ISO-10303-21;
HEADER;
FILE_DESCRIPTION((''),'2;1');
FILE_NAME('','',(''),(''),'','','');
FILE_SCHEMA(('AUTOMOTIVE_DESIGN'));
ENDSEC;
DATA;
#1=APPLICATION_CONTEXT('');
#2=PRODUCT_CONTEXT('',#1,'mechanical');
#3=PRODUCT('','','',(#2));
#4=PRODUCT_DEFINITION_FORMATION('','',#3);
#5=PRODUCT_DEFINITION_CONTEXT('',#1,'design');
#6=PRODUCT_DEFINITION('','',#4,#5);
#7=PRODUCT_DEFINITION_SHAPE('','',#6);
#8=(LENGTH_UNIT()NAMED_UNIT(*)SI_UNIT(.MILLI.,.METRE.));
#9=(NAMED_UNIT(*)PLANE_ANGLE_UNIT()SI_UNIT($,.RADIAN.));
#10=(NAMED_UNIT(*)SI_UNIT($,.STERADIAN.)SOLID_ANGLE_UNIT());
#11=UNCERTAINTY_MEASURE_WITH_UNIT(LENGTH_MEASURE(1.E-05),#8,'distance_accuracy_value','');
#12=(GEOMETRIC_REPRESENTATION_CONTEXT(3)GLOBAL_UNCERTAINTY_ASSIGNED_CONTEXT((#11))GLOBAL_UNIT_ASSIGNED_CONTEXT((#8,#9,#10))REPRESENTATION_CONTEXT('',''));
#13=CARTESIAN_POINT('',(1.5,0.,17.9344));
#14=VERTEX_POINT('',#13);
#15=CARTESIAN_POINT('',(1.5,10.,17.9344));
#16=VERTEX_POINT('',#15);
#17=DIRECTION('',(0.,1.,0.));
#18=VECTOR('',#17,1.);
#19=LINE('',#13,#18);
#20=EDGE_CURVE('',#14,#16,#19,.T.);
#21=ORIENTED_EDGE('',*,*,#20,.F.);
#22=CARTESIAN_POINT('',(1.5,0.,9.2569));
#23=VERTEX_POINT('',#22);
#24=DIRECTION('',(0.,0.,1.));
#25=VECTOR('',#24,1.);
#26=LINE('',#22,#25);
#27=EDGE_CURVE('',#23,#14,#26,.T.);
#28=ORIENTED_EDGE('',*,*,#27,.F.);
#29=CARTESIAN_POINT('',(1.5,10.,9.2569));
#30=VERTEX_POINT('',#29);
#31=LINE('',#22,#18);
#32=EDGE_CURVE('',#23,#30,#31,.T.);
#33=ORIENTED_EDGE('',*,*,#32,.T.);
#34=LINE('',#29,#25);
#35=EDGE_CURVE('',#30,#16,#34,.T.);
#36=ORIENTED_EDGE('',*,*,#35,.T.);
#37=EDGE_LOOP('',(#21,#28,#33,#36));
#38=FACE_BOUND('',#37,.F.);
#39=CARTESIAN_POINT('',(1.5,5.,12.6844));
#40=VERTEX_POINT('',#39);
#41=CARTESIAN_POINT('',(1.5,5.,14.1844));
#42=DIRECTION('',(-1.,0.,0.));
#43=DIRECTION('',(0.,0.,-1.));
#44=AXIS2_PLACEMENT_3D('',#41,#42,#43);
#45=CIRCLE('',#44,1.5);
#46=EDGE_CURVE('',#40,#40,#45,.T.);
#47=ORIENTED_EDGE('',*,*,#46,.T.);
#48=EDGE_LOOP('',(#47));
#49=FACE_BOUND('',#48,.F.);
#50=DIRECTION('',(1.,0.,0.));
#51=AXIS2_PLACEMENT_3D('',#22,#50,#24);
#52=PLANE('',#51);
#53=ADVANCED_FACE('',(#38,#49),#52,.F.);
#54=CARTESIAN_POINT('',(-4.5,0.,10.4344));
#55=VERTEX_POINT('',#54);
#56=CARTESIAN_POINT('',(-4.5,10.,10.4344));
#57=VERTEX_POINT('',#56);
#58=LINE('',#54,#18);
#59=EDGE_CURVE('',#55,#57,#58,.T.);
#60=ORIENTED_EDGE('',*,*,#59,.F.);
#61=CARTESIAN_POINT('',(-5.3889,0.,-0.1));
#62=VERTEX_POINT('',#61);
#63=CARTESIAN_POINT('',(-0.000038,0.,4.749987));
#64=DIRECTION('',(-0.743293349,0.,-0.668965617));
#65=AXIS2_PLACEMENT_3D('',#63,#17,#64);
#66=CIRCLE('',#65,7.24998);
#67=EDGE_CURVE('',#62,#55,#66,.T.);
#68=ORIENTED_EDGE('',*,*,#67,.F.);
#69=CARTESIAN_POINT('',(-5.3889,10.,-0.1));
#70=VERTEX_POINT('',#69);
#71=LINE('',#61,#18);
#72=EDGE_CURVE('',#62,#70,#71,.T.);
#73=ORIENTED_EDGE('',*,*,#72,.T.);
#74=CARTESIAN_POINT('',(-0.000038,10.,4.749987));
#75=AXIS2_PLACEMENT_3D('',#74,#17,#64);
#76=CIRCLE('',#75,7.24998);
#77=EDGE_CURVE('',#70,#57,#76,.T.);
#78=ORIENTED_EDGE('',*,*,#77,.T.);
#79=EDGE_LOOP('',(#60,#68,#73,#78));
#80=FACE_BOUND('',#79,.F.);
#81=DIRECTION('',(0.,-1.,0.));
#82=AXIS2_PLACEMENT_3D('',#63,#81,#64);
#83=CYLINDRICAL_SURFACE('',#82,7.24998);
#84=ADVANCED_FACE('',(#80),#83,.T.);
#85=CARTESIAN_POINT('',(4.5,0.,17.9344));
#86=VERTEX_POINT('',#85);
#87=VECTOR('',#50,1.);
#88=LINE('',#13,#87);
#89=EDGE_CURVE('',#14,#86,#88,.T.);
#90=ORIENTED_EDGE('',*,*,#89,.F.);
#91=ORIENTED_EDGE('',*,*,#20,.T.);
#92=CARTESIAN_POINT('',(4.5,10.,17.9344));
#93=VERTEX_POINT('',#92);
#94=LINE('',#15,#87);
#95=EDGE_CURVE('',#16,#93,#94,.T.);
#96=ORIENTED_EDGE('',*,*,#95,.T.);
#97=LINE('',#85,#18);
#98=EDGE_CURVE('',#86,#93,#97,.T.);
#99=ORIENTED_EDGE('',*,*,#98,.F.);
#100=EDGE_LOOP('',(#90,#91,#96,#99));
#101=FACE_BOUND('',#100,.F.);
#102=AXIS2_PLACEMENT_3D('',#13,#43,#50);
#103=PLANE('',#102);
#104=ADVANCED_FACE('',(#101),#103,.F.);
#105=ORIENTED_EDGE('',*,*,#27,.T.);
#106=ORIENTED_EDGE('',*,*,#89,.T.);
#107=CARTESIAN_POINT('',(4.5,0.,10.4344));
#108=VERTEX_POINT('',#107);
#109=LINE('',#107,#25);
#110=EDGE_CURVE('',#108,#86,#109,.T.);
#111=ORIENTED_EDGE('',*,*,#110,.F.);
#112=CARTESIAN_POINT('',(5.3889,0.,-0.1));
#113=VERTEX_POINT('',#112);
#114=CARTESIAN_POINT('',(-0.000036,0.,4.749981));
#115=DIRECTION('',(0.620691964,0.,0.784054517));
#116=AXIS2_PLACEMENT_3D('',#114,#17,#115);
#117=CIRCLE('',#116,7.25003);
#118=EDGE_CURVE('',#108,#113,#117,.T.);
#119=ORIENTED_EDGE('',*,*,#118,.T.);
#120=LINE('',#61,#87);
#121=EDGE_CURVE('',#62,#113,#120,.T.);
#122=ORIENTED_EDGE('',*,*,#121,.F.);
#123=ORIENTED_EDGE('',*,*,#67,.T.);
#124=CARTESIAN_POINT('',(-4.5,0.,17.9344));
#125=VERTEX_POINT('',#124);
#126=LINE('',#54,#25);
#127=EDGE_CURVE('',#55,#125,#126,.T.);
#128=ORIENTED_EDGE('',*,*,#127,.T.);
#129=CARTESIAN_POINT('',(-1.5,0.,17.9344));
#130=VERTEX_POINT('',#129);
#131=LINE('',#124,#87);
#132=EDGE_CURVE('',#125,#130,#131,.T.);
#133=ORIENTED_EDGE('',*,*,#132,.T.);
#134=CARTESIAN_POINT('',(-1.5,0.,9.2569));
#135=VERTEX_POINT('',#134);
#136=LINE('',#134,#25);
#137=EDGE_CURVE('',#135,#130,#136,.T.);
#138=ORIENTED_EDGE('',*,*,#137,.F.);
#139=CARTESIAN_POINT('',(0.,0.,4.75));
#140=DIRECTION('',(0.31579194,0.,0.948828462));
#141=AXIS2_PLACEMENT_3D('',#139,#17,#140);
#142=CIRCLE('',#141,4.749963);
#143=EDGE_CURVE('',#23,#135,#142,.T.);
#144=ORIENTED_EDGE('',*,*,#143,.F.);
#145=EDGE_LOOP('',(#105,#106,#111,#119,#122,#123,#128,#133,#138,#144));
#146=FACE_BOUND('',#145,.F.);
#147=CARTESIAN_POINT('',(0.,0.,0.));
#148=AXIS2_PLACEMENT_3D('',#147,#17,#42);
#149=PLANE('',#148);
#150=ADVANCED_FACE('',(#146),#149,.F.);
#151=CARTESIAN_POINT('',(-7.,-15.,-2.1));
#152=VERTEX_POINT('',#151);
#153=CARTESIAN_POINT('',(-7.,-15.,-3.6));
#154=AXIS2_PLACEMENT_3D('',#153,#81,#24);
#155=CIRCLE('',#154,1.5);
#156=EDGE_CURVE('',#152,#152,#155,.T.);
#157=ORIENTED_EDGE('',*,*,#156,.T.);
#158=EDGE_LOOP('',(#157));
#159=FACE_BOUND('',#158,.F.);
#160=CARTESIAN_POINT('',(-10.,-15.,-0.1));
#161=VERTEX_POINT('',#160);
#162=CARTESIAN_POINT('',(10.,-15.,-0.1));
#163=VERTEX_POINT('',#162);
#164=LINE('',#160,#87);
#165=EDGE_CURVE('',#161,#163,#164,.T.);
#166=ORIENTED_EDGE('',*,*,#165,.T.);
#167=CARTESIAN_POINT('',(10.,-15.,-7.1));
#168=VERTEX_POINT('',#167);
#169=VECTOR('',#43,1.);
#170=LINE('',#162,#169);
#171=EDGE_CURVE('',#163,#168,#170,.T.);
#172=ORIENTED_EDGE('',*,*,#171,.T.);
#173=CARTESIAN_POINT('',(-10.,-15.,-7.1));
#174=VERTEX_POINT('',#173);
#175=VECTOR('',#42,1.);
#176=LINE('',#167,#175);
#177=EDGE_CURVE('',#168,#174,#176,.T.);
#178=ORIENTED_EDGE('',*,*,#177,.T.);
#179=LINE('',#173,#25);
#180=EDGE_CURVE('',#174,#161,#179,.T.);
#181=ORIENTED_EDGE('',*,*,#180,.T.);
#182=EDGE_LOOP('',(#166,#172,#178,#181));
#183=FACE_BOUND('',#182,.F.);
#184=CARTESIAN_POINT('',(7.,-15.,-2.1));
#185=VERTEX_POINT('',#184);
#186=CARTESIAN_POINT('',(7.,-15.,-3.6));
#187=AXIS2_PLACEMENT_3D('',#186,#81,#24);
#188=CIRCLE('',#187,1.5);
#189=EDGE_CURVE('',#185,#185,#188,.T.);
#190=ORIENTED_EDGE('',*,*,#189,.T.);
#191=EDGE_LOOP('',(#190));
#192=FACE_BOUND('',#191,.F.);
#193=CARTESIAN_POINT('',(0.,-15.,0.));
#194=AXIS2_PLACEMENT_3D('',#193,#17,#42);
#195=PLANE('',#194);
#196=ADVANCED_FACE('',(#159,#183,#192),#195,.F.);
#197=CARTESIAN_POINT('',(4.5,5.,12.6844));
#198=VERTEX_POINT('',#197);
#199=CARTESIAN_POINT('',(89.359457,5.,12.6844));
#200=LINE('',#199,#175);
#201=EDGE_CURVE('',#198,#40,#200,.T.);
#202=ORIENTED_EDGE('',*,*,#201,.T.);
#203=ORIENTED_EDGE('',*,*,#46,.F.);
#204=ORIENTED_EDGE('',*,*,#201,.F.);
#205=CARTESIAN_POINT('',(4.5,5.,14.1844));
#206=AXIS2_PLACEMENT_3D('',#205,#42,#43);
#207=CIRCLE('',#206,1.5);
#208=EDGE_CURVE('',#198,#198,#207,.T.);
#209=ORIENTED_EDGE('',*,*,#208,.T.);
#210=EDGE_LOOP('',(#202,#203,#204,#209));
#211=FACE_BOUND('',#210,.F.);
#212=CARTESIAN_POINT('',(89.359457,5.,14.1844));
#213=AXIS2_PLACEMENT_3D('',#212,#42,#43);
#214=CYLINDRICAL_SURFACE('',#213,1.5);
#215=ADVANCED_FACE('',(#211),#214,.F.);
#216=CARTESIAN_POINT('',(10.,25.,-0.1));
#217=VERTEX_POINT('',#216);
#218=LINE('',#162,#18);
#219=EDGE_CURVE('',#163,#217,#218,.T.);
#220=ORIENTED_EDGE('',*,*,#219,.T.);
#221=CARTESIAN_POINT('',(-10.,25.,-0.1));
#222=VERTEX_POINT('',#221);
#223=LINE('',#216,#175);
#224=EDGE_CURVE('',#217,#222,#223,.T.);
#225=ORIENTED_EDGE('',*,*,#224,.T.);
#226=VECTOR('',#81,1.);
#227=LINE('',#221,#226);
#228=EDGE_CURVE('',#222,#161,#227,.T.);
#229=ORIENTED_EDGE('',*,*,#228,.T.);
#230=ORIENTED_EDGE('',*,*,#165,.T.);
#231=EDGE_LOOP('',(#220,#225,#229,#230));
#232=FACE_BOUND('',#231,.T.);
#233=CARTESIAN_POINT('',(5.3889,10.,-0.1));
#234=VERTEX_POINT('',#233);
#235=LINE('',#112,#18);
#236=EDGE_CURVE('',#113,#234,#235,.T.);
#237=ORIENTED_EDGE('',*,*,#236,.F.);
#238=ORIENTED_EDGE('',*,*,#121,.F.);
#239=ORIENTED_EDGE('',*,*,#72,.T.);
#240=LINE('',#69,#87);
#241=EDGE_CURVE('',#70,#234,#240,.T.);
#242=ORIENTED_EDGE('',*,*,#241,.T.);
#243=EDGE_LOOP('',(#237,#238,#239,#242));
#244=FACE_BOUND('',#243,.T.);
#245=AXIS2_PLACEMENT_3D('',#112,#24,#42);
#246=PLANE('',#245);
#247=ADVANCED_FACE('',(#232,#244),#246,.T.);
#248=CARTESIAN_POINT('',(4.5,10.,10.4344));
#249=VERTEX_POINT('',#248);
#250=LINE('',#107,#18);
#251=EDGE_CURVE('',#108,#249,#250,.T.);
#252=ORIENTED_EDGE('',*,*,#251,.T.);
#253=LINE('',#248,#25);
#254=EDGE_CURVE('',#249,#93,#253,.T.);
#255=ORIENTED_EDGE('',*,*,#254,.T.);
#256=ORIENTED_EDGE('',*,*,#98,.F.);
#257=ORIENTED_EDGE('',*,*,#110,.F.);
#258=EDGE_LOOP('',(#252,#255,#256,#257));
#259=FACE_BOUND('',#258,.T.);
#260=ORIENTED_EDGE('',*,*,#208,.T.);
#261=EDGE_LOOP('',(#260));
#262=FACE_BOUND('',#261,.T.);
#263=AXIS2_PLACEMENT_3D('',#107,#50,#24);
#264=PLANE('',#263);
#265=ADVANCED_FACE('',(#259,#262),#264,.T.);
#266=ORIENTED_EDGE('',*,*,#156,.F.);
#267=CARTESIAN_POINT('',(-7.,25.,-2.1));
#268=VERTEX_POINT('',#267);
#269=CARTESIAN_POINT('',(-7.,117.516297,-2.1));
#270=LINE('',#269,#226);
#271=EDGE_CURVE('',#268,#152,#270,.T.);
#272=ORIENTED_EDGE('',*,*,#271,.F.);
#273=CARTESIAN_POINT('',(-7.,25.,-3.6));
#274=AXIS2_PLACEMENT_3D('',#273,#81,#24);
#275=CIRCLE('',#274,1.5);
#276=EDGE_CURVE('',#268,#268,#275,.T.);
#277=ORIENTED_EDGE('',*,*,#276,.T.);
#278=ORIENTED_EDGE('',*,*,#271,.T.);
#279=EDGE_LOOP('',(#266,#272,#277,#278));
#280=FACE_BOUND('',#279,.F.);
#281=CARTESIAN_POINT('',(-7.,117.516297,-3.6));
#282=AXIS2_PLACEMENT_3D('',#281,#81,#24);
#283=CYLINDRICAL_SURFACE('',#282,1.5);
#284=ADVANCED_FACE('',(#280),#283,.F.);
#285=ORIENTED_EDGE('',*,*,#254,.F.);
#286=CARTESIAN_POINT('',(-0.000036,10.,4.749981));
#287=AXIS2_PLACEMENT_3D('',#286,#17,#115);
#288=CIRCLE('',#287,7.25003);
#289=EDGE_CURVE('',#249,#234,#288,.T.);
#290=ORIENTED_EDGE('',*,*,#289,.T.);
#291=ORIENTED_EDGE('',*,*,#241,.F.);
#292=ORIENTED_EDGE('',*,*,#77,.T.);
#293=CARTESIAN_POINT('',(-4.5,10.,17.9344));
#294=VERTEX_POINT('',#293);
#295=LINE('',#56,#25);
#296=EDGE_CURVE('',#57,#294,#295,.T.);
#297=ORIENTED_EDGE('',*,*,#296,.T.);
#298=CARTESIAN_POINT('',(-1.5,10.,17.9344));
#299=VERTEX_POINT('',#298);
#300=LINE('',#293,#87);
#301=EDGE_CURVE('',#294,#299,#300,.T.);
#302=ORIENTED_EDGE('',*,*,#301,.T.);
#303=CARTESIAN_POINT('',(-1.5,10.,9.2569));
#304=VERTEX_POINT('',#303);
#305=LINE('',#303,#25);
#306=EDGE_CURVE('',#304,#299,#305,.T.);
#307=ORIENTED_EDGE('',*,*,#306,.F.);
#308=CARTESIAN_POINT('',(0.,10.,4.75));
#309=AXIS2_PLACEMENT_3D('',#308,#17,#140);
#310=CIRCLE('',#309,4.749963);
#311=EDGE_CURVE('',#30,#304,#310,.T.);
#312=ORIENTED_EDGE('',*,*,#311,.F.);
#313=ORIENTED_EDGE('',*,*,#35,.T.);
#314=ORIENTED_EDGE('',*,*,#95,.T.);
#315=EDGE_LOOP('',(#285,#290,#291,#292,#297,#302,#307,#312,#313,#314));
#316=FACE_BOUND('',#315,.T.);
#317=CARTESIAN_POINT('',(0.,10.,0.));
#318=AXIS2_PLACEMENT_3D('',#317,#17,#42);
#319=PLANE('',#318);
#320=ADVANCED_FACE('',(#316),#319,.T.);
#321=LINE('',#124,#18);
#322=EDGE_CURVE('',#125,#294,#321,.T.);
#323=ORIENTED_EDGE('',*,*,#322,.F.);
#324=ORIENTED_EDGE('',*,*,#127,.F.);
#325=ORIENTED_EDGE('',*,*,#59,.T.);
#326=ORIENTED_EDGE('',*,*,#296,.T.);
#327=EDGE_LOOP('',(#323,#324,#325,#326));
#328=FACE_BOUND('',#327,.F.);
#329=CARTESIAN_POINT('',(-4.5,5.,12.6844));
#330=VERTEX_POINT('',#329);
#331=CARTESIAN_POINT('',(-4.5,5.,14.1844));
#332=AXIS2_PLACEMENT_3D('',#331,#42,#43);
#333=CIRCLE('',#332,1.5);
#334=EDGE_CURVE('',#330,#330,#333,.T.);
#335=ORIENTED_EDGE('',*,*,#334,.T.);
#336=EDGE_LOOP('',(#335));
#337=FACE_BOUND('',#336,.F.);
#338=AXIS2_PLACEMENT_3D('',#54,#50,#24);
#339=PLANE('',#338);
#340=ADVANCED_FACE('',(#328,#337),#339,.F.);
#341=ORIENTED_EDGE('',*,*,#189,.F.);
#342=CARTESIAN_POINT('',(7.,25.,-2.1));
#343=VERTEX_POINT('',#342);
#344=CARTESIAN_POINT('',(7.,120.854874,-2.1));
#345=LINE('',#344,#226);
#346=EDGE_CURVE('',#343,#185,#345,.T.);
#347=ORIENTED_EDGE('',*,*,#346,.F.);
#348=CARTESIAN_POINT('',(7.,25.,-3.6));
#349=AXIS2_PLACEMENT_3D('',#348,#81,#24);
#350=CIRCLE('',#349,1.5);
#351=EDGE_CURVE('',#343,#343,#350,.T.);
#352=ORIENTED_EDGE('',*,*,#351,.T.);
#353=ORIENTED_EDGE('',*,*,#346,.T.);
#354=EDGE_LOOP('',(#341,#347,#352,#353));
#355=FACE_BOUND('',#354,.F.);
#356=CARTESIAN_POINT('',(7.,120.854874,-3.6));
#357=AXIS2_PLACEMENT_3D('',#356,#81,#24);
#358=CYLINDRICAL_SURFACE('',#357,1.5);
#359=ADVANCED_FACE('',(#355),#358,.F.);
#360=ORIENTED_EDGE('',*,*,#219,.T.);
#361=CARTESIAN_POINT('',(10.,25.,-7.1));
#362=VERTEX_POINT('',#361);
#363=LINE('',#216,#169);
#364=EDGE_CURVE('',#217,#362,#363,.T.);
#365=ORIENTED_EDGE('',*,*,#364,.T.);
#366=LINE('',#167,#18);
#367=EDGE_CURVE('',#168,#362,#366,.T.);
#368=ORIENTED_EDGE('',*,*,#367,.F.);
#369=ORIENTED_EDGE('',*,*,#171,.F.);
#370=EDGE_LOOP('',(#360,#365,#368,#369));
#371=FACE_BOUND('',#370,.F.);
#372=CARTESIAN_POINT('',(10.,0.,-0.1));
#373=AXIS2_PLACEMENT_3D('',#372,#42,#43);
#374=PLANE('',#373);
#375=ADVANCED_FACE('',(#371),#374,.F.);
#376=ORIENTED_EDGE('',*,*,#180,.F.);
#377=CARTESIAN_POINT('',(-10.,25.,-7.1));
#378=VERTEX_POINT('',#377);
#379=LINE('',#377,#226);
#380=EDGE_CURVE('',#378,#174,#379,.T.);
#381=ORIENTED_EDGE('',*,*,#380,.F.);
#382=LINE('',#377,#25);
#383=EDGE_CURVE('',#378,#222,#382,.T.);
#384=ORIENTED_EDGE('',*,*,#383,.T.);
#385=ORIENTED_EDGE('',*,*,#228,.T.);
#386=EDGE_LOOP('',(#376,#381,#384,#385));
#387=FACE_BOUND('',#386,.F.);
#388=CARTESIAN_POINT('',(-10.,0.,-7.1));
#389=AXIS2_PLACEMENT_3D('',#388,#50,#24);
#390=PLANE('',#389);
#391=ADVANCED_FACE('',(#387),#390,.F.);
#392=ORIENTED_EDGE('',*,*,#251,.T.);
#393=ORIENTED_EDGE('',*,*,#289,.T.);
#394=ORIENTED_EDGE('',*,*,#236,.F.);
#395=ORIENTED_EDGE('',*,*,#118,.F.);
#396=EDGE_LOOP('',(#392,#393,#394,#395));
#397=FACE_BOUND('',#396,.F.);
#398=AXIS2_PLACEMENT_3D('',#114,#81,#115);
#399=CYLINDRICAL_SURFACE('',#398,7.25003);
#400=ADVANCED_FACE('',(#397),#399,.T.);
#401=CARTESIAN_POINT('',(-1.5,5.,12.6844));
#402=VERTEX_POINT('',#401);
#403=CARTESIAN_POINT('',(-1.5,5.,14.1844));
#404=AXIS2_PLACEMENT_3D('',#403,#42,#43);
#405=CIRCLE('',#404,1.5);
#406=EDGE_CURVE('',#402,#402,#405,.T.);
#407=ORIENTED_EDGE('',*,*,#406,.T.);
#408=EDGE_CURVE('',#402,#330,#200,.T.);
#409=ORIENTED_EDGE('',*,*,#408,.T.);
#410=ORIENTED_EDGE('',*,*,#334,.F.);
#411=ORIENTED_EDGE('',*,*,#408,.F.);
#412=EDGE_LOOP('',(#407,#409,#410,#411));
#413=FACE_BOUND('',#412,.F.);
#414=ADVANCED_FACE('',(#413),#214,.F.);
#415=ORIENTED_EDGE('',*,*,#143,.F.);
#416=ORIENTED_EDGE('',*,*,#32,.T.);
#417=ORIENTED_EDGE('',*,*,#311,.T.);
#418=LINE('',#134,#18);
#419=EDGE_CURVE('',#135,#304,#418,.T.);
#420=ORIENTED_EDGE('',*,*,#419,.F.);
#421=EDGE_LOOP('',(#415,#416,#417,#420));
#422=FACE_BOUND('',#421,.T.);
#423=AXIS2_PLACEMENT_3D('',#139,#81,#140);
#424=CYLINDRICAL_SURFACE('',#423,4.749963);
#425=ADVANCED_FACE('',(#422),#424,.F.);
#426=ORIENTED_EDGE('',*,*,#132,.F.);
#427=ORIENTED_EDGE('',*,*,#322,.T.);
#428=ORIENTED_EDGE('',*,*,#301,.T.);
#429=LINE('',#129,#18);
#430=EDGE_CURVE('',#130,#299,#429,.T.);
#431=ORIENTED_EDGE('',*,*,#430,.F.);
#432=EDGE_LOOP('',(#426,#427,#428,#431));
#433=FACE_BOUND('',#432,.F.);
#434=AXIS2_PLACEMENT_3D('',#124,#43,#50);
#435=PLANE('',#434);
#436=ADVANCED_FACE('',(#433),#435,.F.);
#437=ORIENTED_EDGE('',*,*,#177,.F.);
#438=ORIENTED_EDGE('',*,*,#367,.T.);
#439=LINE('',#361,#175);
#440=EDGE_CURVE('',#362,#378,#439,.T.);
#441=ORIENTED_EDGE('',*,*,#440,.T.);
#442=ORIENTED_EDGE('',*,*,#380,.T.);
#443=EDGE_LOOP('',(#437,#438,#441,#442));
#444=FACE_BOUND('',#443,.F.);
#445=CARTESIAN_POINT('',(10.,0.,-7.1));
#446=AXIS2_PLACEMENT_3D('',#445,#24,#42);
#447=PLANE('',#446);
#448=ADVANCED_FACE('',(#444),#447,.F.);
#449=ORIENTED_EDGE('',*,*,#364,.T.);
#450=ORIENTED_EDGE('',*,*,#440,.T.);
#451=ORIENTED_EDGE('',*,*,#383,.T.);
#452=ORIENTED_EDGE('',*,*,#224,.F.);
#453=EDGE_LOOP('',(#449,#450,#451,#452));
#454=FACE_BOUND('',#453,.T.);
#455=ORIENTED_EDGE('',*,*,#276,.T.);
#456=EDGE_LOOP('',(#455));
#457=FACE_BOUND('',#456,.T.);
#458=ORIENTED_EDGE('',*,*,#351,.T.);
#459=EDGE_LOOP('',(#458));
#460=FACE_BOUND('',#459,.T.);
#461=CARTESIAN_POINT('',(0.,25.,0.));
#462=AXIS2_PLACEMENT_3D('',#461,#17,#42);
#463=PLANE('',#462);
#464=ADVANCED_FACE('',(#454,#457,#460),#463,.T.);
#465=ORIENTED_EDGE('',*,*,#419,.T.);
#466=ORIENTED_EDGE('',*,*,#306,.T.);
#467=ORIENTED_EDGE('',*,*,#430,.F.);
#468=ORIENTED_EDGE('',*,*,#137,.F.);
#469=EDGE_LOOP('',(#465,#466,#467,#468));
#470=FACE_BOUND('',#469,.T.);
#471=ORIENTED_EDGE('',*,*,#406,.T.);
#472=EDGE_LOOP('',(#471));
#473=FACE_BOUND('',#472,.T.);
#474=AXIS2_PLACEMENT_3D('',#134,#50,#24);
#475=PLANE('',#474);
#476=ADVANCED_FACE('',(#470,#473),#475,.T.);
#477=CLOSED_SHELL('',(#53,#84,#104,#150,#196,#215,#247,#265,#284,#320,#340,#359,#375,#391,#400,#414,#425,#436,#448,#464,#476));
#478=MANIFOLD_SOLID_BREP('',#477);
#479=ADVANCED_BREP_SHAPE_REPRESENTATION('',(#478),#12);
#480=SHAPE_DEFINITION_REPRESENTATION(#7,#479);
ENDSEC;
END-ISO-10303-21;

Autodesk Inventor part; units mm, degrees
ref_plane "YZ Plane" through (0, 0, 0) normal (1, 0, 0) x (0, 1, 0)
ref_plane "XZ Plane" through (0, 0, 0) normal (0, 1, 0) x (-1, 0, 0)
ref_plane "XY Plane" through (0, 0, 0) normal (0, 0, 1) x (1, 0, 0)
sketch "Sketch1" plane through (0, 0, 0) normal (0, 1, 0) x (-1, 0, 0)
  arc A0 (-1.5, 9.2569) -> (1.5, 9.2569) centre (0, 4.75) ccw
  arc A1 (5.3889, -0.1) -> (4.5, 10.4344) centre (0, 4.75) ccw
  arc A2 (-4.5, 10.4344) -> (-5.3889, -0.1) centre (0, 4.75) ccw
  line L0 (-4.5, 10.4344) -> (-4.5, 17.9344)
  line L1 (4.5, 10.4344) -> (4.5, 17.9344)
  line L2 (-1.5, 9.2569) -> (-1.5, 17.9344)
  line L3 (1.5, 9.2569) -> (1.5, 17.9344)
  line L4 (4.5, 17.9344) -> (1.5, 17.9344)
  line L5 (-1.5, 17.9344) -> (-4.5, 17.9344)
  line L6 (5.3889, -0.1) -> (-5.3889, -0.1)
  point P0 (0, 0)
extrude "Extrusion1" add sketch "Sketch1" along normal blind 10
sketch "Sketch2" plane through (0, 0, 0) normal (0, 1, 0) x (-1, 0, 0)
  line L0 (-5.3889, -0.1) -> (5.3889, -0.1) projected
  line L1 (0, -0.1) -> (-10, -0.1)
  line L2 (0, -0.1) -> (10, -0.1)
  line L3 (-10, -0.1) -> (-10, -7.1)
  line L4 (-10, -7.1) -> (10, -7.1)
  line L5 (10, -7.1) -> (10, -0.1)
  point P0 (0, 0)
  dimension "d13" = 10
  dimension "d14" = 10
  dimension "d15" = 7
  dimension "d16" = 20
  dimension "d17" = 7
extrude "Extrusion2" add sketch "Sketch2" along normal blind 25 and the other way blind 15
sketch "Sketch3" plane through (0, 25, 0) normal (0, 1, 0) x (1, 0, 0)
  line L0 (-10, 0.1) -> (10, 0.1) projected
  line L1 (10, 7.1) -> (10, 0.1) projected
  circle A0 centre (7, 3.6) radius 1.5
  line L2 (-10, 7.1) -> (-10, 0.1) projected
  circle A1 centre (-7, 3.6) radius 1.5
  point P0 (0, 0)
  dimension "d24" = 3
  dimension "d27" = 3
hole "Hole1" at (-7, 25, -3.6) at (7, 25, -3.6) direction (0, -1, 0) diameter 3 end through all both
sketch "Sketch4" plane through (4.5, 0, 17.9344) normal (1, 0, 0) x (0, 0, -1)
  line L0 (0, 10) -> (8.6775, 10) projected
  circle A0 centre (3.75, 5) radius 1.5
  point P0 (17.9344, 0)
  point P1 (0, 0)
  point P2 (7.5, 0)
  dimension "d36" = 3
hole "Hole2" at (4.5, 5, 14.1844) direction (-1, 0, 0) diameter 3 end through all both
